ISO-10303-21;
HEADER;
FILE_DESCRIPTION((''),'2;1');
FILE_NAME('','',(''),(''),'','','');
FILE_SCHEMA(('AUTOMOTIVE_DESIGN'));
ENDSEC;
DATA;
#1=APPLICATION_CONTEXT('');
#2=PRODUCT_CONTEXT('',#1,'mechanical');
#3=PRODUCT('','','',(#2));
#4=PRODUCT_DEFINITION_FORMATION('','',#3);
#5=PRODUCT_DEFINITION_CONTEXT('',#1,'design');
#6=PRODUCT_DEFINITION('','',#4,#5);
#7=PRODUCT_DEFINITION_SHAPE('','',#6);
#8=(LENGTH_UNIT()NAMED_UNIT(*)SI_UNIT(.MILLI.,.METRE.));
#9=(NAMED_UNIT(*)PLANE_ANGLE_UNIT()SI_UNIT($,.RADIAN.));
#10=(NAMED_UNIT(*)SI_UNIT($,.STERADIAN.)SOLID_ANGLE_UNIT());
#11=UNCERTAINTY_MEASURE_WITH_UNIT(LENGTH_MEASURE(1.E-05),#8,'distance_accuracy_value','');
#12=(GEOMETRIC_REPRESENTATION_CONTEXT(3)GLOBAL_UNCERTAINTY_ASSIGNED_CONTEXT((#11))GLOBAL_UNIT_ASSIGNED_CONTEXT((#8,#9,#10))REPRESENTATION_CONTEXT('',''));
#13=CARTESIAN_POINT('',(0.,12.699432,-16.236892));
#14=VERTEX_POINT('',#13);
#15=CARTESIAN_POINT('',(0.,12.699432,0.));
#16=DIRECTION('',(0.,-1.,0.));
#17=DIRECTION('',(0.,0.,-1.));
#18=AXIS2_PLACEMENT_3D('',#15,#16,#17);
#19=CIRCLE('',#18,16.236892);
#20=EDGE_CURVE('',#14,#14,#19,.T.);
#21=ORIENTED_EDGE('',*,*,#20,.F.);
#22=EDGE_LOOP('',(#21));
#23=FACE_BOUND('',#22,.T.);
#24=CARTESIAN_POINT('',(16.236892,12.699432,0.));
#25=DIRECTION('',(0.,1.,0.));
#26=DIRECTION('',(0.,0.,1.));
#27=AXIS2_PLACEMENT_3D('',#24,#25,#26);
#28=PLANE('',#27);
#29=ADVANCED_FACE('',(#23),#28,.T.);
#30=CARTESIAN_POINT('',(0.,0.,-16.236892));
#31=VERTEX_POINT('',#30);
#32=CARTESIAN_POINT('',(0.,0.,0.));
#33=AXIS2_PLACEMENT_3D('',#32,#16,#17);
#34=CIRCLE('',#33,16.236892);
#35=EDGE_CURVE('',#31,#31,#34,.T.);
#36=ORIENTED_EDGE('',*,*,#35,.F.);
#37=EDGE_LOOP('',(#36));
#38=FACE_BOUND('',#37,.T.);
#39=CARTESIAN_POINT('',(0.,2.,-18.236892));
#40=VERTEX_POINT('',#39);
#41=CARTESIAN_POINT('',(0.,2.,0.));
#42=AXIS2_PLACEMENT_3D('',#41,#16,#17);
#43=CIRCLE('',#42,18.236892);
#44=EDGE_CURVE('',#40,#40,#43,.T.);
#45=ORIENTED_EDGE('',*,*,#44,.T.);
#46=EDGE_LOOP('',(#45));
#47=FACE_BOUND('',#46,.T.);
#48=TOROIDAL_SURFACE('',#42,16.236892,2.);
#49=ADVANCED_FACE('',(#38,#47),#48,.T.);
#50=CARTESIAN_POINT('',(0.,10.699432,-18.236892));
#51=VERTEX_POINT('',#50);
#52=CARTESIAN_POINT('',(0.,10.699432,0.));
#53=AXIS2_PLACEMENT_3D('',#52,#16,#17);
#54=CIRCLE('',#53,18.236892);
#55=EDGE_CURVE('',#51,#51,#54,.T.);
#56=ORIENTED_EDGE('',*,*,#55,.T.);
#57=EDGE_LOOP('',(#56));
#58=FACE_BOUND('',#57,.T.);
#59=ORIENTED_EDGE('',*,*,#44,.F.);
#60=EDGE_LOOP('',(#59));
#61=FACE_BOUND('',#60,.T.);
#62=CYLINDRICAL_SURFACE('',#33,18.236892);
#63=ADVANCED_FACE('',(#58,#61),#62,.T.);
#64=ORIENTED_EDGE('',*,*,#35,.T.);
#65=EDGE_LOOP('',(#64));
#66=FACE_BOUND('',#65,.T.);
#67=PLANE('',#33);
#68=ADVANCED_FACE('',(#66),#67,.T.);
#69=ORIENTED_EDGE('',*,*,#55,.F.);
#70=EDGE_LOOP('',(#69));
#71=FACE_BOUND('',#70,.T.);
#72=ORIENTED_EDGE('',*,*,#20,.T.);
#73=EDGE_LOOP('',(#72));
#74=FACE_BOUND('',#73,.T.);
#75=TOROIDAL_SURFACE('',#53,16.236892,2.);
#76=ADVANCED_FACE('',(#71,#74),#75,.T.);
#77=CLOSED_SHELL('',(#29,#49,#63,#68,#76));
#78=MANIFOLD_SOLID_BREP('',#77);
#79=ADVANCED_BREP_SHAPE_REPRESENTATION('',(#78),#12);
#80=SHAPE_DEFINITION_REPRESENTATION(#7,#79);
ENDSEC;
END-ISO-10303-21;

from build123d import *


with BuildPart() as part:
    # Sketch1 → Revolve1 (revolve)
    with BuildSketch(Plane.XY, mode=Mode.PRIVATE) as revolve1_sk:
        with BuildLine():
            Line((0, 0), (0, 12.699432043))
            Line((0, 12.699432043), (16.236891767, 12.699432043))
            ThreePointArc((16.236891767, 12.699432043), (17.651105329, 12.113645606), (18.236891767, 10.699432043))
            Line((18.236891767, 10.699432043), (18.236891767, 2))
            ThreePointArc((18.236891767, 2), (17.651105329, 0.585786438), (16.236891767, 0))
            Line((16.236891767, 0), (0, 0))
        make_face()
    revolve(revolve1_sk.sketch.rotate(Axis((0, 0, 0), (0, 1, 0)), 90), axis=Axis((0, 0, 0), (0, 1, 0)))


solid = part.part
